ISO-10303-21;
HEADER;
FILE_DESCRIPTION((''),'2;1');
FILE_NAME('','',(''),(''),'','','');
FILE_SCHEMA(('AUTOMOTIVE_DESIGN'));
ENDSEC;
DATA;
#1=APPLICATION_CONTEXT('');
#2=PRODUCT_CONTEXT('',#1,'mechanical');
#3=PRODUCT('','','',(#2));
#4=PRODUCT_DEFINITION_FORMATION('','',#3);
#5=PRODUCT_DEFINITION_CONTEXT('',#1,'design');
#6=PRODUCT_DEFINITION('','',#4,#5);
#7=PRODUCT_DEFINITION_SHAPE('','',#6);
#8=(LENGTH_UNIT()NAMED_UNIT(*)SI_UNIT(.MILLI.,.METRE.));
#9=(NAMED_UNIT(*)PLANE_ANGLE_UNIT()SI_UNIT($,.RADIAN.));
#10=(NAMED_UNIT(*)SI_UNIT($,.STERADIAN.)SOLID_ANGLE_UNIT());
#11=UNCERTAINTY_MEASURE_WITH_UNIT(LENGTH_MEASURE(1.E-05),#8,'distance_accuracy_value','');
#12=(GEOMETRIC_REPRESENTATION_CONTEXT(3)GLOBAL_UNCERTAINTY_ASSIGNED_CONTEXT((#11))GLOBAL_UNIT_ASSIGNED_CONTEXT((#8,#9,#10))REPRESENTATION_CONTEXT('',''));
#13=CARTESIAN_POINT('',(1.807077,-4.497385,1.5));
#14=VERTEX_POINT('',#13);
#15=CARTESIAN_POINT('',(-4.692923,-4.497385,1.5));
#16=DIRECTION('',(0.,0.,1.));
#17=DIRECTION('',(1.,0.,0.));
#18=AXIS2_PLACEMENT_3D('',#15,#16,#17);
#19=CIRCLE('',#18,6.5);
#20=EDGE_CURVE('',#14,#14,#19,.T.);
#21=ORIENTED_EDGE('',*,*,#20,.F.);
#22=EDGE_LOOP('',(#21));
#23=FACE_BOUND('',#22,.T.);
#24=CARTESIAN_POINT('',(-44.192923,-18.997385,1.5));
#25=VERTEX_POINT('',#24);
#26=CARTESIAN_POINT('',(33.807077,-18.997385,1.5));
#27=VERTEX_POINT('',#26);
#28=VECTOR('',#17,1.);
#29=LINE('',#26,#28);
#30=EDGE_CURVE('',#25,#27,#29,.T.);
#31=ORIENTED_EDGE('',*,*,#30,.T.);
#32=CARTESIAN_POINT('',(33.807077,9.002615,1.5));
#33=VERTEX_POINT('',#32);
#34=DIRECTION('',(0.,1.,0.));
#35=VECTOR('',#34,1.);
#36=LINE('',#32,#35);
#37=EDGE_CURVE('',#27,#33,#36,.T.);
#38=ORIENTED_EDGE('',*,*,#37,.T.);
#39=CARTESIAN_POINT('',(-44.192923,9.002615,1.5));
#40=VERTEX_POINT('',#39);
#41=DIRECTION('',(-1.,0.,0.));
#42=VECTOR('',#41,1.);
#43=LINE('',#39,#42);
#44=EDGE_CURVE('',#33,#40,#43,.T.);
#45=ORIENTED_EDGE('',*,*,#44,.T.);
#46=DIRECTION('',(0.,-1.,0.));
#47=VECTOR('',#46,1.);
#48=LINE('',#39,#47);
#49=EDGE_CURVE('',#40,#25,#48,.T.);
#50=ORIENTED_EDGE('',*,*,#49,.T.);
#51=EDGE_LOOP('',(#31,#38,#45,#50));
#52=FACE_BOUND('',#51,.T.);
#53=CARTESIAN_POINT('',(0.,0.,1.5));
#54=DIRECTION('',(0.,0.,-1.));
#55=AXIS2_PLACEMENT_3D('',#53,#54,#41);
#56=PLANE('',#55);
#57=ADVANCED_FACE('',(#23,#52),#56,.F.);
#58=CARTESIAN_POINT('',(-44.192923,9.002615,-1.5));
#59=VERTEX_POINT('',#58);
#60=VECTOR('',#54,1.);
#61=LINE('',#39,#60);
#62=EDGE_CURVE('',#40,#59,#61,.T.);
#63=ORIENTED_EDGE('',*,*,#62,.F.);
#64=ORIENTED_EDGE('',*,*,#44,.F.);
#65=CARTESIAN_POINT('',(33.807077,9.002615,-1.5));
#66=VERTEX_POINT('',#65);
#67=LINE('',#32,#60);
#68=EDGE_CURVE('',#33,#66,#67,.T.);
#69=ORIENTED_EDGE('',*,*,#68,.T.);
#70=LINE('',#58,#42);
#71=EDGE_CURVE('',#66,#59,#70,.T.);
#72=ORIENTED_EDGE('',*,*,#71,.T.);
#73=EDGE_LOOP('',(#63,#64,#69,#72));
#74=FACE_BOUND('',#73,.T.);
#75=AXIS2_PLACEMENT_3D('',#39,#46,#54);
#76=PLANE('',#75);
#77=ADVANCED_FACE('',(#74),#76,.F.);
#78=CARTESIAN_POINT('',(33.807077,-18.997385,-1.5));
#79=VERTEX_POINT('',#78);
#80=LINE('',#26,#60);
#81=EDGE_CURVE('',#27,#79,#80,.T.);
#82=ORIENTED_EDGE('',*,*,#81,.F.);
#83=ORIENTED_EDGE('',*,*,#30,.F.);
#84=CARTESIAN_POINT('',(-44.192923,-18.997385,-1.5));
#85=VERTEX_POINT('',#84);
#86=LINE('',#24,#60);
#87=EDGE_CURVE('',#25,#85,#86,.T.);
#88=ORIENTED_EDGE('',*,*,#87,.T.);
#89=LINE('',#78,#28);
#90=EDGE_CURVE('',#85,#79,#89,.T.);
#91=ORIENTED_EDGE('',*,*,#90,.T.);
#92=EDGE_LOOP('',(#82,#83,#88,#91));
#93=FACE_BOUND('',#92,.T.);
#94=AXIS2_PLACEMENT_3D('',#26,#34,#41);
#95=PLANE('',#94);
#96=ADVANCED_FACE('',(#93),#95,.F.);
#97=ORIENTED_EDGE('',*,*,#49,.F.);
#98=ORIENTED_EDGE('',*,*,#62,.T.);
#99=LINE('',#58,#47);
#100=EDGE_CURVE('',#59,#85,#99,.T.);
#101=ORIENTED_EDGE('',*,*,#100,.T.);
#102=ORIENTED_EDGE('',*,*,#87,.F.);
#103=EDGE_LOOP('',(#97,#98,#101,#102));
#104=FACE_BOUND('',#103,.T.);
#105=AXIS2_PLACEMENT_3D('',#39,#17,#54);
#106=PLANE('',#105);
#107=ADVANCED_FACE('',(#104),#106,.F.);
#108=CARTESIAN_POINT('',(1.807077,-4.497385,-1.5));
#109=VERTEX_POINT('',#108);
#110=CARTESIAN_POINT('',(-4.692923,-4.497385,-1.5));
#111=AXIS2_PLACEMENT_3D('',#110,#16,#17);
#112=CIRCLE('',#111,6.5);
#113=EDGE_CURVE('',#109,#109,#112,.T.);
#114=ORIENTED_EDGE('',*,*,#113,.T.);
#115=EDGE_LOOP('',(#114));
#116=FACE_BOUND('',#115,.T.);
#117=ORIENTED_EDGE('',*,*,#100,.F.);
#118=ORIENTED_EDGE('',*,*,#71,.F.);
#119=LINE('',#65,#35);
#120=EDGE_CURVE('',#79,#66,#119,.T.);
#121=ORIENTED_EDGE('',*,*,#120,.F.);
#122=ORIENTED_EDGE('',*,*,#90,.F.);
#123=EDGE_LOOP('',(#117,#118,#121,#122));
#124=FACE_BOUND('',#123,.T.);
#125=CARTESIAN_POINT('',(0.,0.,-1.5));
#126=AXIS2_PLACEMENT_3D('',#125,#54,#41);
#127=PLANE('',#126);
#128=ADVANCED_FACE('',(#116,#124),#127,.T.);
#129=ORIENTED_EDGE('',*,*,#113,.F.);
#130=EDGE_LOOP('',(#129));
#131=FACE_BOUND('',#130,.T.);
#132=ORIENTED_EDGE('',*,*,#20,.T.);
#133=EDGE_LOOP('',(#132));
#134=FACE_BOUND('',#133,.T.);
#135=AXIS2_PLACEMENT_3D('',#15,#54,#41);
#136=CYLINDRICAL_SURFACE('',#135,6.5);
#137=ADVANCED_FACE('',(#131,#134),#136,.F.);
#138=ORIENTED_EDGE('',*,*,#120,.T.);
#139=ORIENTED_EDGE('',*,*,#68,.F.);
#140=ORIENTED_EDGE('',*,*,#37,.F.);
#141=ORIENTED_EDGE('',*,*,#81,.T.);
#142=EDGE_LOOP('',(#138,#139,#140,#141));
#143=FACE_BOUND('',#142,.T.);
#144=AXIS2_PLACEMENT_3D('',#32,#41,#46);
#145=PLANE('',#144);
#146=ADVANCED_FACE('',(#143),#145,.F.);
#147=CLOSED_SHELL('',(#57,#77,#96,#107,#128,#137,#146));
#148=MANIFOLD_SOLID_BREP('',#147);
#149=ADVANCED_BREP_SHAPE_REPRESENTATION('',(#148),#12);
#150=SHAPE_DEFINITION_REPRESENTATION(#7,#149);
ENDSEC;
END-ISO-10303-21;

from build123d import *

# Parameters (mm, degrees)
SKETCH1_W           = 78
SKETCH1_H           = 28
SKETCH1_R           = 6.5
BOSS_EXTRUDE1_DEPTH = 1.5


with BuildPart() as part:
    # Sketch1 → Boss-Extrude1 (new body, symmetric)
    with BuildSketch(Plane.XY):
        with Locations((-5.192923333, -4.997384861)):
            Rectangle(SKETCH1_W, SKETCH1_H)
        with Locations((-4.692923333, -4.497384861)):
            Circle(SKETCH1_R, mode=Mode.SUBTRACT)
    extrude(amount=BOSS_EXTRUDE1_DEPTH, both=True)


solid = part.part
